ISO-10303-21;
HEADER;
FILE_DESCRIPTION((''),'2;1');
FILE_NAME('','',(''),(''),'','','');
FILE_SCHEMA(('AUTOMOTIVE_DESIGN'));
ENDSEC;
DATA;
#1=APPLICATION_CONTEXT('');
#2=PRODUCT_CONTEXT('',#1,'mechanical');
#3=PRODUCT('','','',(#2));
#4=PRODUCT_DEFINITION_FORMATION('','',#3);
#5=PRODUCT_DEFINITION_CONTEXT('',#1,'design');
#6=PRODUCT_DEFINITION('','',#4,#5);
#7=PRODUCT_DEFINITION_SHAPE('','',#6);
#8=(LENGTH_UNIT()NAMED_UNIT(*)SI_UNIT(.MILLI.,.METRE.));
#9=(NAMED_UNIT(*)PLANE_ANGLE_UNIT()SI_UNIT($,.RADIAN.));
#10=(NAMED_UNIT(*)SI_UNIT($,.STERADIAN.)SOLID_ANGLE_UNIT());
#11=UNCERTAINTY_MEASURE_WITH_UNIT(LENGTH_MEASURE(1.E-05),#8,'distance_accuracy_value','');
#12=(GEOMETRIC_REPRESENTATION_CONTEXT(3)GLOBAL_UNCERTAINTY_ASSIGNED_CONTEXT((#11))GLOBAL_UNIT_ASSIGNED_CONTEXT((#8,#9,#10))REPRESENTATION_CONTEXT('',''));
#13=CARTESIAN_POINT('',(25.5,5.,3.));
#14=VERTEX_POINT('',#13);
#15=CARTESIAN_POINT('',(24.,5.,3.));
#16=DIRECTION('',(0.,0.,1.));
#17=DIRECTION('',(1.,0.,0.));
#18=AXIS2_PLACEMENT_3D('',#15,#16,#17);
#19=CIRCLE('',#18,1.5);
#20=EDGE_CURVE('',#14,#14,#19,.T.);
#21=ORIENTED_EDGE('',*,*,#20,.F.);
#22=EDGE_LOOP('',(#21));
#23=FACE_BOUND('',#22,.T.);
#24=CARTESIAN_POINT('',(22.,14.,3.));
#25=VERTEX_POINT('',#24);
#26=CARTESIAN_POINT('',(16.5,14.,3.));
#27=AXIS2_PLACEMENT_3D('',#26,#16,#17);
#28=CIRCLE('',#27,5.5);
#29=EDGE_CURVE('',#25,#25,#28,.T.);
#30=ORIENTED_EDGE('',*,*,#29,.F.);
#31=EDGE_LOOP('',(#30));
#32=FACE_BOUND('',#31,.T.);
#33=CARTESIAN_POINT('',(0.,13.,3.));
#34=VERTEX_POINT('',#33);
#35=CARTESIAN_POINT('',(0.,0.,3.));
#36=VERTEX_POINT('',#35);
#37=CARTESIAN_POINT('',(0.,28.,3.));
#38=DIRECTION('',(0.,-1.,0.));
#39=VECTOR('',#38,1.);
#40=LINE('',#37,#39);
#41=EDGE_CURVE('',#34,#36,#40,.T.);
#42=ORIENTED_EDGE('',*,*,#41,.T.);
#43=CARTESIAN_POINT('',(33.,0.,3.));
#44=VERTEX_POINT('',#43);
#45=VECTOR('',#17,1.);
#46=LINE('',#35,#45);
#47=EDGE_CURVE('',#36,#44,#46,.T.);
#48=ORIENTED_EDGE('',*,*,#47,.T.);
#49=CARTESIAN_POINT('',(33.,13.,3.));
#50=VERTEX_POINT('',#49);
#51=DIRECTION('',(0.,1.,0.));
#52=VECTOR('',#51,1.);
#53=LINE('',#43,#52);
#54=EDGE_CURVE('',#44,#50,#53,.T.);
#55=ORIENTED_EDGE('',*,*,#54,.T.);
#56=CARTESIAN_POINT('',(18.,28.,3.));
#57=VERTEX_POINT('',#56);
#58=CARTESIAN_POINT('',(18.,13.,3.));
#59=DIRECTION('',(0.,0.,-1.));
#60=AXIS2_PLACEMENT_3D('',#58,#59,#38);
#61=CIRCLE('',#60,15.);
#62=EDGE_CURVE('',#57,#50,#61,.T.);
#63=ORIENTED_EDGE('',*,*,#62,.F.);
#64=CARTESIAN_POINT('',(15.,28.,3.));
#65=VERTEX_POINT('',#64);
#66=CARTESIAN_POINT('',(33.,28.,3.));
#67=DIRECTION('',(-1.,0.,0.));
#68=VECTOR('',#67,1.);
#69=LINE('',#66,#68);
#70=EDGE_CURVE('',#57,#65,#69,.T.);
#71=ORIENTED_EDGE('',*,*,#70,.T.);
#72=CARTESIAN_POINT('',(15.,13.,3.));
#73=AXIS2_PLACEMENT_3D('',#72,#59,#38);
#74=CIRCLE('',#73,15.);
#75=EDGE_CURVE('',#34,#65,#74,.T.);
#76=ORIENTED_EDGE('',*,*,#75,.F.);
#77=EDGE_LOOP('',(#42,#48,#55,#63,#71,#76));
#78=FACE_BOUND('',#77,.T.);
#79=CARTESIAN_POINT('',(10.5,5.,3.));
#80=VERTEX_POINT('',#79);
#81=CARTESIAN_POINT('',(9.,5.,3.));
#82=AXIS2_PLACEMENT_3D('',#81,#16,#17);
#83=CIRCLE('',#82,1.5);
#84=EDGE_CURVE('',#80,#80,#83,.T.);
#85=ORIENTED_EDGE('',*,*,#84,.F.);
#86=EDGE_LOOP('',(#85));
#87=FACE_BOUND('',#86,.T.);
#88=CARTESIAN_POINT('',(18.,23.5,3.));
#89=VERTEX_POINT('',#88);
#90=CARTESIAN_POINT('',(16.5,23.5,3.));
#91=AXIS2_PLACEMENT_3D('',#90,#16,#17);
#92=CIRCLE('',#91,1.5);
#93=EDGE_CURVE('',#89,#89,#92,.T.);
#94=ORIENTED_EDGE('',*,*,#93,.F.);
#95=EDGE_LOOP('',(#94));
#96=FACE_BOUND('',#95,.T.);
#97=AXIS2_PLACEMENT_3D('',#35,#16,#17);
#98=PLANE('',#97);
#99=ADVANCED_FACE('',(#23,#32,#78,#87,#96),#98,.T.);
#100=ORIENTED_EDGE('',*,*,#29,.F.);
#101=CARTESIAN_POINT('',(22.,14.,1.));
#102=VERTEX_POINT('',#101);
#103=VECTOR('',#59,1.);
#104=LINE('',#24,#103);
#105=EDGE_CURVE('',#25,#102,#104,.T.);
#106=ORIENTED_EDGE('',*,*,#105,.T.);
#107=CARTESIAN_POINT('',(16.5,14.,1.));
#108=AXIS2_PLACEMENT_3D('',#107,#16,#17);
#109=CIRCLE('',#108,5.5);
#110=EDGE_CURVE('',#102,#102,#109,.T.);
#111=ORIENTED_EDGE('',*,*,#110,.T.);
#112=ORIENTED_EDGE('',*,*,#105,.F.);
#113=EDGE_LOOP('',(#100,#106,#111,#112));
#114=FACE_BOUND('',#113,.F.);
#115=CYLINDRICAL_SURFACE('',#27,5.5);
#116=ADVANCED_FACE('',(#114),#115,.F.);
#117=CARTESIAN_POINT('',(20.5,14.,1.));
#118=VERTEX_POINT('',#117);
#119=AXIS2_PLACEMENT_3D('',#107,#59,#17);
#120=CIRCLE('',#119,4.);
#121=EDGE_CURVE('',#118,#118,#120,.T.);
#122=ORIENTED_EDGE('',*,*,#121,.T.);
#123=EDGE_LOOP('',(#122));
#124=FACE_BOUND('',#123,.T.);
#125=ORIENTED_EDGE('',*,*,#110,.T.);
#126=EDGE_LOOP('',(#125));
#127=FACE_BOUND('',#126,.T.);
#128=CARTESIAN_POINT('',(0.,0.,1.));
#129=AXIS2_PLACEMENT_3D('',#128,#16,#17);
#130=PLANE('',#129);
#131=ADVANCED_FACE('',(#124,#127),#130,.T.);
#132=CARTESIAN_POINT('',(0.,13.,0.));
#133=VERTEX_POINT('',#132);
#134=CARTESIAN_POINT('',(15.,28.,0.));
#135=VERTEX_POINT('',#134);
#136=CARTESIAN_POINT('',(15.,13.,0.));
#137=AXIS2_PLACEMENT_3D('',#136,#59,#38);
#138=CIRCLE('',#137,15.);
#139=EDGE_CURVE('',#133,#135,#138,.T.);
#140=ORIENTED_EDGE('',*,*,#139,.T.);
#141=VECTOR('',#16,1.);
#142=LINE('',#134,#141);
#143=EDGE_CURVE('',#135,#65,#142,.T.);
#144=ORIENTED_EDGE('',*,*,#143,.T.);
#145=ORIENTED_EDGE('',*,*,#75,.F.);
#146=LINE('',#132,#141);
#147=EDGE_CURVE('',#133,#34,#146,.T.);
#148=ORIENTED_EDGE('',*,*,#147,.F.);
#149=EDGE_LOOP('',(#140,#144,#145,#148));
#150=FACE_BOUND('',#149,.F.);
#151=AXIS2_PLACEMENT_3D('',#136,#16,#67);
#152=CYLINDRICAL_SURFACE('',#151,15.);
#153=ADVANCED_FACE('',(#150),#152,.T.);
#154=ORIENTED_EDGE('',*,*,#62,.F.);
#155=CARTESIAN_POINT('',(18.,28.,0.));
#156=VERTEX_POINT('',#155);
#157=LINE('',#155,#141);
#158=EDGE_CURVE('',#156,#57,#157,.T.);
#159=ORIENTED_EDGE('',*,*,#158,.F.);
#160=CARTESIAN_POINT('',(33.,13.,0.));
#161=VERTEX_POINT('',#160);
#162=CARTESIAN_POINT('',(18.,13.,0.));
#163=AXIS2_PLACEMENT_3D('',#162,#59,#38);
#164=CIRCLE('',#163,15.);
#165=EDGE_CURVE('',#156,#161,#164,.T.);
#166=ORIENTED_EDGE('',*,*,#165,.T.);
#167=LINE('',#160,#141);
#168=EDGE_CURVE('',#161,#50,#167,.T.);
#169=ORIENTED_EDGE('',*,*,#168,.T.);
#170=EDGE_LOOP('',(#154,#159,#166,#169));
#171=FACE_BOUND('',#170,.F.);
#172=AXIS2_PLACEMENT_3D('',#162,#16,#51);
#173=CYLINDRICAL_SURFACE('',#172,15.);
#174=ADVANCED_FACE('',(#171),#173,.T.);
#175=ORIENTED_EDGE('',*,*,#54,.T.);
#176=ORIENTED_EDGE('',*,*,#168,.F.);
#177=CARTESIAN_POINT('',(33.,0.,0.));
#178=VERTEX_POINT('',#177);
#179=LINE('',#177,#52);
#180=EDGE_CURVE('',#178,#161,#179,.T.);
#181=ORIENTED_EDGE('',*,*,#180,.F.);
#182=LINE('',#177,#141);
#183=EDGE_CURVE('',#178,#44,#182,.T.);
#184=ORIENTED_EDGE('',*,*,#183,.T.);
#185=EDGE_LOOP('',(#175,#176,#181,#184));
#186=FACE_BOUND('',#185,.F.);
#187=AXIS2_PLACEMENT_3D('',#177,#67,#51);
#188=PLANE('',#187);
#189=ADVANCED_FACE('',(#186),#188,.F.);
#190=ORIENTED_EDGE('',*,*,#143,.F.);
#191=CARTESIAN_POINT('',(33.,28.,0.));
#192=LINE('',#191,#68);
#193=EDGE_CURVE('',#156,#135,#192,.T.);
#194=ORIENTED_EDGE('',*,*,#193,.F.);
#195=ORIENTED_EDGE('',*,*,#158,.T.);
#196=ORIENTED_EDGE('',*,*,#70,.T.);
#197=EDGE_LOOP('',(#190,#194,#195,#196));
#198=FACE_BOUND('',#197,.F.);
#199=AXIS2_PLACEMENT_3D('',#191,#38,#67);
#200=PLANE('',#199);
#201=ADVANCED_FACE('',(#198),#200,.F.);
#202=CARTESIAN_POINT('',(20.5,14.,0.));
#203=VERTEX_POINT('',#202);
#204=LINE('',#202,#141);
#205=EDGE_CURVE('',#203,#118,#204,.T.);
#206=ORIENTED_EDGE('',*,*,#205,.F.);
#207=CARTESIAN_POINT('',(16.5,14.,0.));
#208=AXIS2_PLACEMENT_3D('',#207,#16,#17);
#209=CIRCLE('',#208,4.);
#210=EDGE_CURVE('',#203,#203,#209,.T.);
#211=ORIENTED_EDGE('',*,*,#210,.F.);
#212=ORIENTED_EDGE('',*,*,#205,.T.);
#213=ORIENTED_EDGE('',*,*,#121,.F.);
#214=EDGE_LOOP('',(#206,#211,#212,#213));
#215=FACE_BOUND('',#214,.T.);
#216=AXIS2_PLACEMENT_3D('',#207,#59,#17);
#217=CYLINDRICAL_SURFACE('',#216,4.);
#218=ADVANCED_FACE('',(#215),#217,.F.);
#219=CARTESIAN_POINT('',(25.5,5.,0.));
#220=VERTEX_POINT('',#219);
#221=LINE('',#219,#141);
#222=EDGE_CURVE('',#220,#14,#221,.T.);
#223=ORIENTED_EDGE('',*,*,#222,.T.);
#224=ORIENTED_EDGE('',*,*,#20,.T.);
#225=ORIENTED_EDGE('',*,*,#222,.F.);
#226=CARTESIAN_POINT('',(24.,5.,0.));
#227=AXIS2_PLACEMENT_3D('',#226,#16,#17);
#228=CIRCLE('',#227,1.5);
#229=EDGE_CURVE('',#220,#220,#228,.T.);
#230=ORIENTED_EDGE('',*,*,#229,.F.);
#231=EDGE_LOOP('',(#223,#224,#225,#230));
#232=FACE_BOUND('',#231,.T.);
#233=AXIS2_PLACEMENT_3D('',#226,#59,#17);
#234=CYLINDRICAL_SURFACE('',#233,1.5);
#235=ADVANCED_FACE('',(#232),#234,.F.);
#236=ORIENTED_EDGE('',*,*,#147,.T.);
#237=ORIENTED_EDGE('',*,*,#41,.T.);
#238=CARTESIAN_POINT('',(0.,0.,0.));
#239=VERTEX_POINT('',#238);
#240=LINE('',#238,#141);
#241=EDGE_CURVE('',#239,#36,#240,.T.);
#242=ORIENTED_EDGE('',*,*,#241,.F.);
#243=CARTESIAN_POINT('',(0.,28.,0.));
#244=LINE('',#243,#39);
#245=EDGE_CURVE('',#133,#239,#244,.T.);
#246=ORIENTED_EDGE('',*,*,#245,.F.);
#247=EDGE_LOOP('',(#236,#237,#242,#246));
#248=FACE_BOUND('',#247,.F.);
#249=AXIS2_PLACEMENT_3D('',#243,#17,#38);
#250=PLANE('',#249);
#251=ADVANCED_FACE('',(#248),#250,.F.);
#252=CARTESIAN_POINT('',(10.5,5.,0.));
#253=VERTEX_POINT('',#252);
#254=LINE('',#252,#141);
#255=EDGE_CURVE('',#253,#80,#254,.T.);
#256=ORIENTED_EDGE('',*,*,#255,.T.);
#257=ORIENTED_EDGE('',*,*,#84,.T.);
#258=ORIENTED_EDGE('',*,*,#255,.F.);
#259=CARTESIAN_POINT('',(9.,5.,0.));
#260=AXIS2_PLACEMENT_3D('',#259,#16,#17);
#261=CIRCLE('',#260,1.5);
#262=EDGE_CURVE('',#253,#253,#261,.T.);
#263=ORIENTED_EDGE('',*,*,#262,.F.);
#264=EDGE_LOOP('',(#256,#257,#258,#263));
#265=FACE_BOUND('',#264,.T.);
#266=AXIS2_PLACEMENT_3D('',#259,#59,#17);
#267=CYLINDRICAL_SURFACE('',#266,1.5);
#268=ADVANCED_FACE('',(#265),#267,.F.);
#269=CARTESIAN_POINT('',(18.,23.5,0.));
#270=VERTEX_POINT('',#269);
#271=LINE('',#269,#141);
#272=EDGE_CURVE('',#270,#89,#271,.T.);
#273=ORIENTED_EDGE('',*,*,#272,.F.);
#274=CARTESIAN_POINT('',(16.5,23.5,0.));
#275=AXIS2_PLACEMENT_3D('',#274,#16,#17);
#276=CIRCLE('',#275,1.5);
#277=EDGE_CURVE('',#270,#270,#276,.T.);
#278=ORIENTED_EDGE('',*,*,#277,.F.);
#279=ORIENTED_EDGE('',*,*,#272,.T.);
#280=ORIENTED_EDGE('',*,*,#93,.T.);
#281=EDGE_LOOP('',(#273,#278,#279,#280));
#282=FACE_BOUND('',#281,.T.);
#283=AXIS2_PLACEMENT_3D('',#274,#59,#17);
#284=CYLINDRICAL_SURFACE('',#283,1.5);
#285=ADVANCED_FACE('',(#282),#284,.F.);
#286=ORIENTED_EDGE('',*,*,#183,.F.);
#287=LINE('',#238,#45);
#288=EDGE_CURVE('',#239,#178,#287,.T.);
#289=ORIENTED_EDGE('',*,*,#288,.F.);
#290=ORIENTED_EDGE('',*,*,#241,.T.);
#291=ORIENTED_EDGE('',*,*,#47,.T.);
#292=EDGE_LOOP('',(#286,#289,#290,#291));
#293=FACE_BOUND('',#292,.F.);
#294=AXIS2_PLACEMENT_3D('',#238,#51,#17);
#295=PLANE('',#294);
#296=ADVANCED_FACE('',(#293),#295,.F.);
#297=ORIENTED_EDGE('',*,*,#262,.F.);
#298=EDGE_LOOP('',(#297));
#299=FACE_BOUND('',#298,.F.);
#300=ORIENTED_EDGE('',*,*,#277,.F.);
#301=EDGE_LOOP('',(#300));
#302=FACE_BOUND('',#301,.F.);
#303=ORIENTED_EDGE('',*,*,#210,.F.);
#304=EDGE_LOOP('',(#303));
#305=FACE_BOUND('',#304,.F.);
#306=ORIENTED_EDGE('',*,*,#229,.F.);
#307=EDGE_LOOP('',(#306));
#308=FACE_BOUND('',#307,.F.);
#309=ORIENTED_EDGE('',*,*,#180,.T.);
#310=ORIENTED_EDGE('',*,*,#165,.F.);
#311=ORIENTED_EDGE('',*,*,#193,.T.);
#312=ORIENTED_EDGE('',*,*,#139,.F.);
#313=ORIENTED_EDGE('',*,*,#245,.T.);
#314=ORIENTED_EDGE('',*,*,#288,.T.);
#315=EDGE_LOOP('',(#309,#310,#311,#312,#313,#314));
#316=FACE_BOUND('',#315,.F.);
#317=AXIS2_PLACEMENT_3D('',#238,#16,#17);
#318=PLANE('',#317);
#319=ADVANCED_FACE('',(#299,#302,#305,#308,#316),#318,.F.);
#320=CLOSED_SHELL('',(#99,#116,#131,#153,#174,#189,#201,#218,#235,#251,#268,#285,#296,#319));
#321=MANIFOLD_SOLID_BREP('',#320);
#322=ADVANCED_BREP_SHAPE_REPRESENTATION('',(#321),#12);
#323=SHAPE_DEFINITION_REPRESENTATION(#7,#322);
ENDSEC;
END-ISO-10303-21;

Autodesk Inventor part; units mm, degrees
ref_plane "YZ Plane" through (0, 0, 0) normal (1, 0, 0) x (0, 1, 0)
ref_plane "XZ Plane" through (0, 0, 0) normal (0, 1, 0) x (-1, 0, 0)
ref_plane "XY Plane" through (0, 0, 0) normal (0, 0, 1) x (1, 0, 0)
sketch "Sketch1" plane through (0, 0, 0) normal (0, 0, 1) x (1, 0, 0)
  line L0 (0, 0) -> (33, 0)
  line L1 (33, 0) -> (33, 28)
  line L2 (33, 28) -> (0, 28)
  line L3 (0, 28) -> (0, 0)
  circle A0 centre (16.5, 14) radius 4
  circle A1 centre (16.5, 23.5) radius 1.5
  circle A2 centre (9, 5) radius 1.5
  circle A3 centre (24, 5) radius 1.5
  dimension "d0" = 33
  dimension "d1" = 28
  dimension "d2" = 8
  dimension "d3" = 14
  dimension "d4" = 16.5
  dimension "d5" = 3
  dimension "d6" = 3
  dimension "d7" = 3
  dimension "d8" = 4.5
  dimension "d9" = 0
  dimension "d10" = 15
  dimension "d11" = 5
  dimension "d12" = 9
  dimension "d13" = 5
extrude "Extrusion1" add sketch "Sketch1" along normal blind 3
sketch "Sketch2" plane through (0, 0, 3) normal (0, 0, 1) x (1, 0, 0)
  circle A0 centre (16.5, 14) radius 4 projected
  circle A1 centre (16.5, 14) radius 5.5
  point P0 (0, 0)
  dimension "d16" = 11
extrude "Extrusion2" cut sketch "Sketch2" against normal blind 2 contours A0 | A1
fillet "Fillet1" radius 15 2 edges at (33, 28, 1.5) (0, 28, 1.5)
equation "\"d3\" = 0.5 * d1"
equation "\"d4\" = 0.5 * d0"
properties part number "Arm6" material "Aluminum 6061, Welded"
